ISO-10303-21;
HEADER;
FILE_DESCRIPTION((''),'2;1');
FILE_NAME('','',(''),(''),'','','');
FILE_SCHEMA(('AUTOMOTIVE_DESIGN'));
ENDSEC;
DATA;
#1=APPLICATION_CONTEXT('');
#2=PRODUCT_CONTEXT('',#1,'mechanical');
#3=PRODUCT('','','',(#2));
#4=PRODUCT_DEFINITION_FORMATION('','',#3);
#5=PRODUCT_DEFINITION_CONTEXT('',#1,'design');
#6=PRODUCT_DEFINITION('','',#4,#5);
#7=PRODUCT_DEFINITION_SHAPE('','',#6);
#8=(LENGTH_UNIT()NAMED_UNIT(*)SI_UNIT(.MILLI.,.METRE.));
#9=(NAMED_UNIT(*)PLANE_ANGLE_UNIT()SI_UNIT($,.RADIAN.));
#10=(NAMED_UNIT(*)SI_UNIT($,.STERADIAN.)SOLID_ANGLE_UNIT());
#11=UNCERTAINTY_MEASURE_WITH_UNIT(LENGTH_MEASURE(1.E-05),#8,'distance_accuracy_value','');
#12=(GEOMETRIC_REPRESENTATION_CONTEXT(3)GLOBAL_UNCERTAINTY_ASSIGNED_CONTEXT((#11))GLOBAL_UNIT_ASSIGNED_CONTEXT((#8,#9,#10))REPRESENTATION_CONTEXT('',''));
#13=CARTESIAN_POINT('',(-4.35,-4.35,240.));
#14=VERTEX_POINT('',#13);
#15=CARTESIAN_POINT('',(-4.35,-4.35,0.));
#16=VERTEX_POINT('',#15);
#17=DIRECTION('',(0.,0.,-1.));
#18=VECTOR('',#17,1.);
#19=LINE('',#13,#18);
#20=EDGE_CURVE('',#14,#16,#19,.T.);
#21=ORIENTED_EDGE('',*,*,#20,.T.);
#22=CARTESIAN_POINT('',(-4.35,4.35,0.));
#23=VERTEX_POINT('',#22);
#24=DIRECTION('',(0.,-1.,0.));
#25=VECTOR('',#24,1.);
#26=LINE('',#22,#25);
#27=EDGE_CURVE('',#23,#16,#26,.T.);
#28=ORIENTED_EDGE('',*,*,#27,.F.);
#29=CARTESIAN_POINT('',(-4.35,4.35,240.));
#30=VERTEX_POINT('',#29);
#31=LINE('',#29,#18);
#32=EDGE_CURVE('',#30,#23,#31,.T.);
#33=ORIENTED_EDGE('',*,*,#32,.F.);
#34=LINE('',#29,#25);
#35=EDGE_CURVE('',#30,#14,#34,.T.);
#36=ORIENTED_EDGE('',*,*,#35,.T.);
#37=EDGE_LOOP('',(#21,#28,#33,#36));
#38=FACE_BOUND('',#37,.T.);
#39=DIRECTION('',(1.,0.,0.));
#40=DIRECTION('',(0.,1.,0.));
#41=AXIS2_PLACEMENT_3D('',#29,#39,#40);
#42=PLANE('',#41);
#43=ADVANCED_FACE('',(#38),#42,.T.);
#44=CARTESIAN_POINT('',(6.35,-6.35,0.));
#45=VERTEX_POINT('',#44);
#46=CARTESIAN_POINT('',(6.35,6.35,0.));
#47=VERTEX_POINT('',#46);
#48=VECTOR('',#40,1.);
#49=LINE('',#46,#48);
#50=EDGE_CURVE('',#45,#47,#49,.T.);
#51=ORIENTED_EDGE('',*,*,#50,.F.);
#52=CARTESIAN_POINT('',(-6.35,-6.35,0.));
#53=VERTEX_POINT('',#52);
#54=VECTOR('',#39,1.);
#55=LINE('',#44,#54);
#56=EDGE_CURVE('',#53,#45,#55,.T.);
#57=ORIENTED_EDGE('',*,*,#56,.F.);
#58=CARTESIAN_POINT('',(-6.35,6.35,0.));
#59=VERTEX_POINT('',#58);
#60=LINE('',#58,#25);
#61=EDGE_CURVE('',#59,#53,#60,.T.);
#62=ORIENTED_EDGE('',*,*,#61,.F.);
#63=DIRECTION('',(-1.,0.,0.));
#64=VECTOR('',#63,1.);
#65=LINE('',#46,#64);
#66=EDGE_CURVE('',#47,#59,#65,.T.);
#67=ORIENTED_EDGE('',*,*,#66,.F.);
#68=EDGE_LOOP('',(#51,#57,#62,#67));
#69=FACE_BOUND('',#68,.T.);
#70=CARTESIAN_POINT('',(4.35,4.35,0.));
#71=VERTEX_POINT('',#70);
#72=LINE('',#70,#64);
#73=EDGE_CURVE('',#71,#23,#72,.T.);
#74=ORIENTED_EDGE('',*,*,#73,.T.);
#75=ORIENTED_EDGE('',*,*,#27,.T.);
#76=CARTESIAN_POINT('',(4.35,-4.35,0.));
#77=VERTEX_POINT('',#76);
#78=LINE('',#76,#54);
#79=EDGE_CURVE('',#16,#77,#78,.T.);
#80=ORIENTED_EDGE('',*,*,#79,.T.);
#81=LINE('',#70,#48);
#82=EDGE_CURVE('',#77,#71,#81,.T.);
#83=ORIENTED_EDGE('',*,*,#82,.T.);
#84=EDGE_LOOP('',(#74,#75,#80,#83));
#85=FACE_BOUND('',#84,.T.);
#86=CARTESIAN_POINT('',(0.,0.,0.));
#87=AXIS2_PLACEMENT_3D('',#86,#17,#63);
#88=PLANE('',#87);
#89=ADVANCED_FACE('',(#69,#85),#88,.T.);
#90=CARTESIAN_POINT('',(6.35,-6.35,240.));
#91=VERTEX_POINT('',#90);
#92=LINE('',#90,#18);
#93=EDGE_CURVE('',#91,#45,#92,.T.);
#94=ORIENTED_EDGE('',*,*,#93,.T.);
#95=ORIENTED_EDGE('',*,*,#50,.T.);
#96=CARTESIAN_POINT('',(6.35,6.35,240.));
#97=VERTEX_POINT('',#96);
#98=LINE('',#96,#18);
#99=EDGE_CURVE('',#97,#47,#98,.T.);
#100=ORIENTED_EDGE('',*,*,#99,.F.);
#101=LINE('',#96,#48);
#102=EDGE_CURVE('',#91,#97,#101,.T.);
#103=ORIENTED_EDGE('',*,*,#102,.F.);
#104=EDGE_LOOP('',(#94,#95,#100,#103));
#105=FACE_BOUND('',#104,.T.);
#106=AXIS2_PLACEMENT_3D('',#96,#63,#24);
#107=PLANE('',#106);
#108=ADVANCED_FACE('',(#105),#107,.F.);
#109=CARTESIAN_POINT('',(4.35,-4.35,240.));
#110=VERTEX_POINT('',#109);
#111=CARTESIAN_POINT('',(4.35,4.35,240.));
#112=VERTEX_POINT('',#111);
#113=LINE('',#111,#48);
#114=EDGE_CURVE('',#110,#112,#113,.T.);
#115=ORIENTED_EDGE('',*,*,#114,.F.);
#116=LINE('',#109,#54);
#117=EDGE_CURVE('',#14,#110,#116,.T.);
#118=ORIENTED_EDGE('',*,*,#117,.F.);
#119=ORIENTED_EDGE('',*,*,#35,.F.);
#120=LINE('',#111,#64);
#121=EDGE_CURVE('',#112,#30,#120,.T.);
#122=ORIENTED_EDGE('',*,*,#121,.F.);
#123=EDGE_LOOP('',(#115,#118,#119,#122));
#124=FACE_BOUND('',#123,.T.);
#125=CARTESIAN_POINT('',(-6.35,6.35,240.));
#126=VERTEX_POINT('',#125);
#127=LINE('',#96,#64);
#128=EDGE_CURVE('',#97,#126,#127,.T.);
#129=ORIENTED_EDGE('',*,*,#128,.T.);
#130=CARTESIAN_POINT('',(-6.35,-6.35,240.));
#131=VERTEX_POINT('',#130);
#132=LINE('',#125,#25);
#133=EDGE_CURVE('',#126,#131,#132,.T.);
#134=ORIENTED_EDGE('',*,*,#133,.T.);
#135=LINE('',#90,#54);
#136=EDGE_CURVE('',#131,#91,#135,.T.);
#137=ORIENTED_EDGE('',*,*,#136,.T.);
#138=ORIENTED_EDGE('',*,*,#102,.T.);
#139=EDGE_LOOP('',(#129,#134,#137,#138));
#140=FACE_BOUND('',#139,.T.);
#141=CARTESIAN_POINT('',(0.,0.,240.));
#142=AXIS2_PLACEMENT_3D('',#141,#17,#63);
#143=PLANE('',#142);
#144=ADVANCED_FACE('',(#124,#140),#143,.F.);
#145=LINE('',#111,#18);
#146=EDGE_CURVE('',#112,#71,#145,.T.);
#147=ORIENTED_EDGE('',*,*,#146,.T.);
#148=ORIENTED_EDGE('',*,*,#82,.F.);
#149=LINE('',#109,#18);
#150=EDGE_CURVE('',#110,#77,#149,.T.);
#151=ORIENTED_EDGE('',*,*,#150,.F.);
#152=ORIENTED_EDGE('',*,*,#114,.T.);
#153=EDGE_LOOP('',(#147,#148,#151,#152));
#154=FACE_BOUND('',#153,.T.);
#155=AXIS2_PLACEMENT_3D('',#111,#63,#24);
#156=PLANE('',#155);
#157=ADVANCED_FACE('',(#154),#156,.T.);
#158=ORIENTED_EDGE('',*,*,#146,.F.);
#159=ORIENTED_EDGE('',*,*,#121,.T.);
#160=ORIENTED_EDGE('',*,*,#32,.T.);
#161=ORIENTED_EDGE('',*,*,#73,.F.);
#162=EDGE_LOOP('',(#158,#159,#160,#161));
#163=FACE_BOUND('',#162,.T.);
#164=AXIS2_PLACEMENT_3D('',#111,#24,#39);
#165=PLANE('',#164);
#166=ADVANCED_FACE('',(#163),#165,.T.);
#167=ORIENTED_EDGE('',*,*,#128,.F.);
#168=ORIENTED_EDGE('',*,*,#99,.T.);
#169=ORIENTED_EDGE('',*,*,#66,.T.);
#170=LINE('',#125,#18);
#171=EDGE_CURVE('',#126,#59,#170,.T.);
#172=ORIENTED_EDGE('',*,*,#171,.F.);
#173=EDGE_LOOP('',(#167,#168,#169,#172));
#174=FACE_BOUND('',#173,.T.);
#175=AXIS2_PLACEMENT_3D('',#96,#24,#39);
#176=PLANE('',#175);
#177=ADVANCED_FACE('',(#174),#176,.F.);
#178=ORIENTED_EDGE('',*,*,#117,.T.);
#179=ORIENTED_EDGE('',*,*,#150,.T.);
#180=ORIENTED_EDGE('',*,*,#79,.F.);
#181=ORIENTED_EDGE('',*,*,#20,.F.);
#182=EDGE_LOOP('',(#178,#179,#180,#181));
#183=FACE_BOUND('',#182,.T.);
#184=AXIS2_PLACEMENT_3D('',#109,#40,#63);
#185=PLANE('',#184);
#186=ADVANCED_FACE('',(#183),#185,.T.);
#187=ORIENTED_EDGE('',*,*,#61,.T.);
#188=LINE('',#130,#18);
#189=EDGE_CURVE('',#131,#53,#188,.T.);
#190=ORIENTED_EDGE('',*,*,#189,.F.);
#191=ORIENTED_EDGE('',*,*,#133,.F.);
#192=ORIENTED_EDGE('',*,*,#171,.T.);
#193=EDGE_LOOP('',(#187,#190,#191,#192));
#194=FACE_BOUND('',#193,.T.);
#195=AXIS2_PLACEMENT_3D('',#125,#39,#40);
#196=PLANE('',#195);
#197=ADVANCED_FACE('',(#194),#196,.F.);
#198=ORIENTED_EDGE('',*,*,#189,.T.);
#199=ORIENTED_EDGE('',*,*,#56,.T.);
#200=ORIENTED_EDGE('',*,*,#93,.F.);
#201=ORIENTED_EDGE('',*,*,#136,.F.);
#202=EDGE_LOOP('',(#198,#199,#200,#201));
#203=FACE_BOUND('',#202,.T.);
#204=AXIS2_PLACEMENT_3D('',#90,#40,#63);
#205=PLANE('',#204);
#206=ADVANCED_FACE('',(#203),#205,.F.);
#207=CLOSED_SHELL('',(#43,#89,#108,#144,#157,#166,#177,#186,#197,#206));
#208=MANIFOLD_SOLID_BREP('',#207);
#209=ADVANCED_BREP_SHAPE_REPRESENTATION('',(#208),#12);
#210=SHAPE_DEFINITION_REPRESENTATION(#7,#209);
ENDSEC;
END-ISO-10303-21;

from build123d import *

# Parameters (mm, degrees)
SKETCH1_W           = 12.7
SKETCH1_H           = 12.7
SKETCH1_W_2         = 8.7
SKETCH1_H_2         = 8.7
BOSS_EXTRUDE1_DEPTH = 240


with BuildPart() as part:
    # Sketch1 → Boss-Extrude1 (new body)
    with BuildSketch(Plane.XY):
        Rectangle(SKETCH1_W, SKETCH1_H)
        Rectangle(SKETCH1_W_2, SKETCH1_H_2, mode=Mode.SUBTRACT)
    extrude(amount=BOSS_EXTRUDE1_DEPTH)


solid = part.part
